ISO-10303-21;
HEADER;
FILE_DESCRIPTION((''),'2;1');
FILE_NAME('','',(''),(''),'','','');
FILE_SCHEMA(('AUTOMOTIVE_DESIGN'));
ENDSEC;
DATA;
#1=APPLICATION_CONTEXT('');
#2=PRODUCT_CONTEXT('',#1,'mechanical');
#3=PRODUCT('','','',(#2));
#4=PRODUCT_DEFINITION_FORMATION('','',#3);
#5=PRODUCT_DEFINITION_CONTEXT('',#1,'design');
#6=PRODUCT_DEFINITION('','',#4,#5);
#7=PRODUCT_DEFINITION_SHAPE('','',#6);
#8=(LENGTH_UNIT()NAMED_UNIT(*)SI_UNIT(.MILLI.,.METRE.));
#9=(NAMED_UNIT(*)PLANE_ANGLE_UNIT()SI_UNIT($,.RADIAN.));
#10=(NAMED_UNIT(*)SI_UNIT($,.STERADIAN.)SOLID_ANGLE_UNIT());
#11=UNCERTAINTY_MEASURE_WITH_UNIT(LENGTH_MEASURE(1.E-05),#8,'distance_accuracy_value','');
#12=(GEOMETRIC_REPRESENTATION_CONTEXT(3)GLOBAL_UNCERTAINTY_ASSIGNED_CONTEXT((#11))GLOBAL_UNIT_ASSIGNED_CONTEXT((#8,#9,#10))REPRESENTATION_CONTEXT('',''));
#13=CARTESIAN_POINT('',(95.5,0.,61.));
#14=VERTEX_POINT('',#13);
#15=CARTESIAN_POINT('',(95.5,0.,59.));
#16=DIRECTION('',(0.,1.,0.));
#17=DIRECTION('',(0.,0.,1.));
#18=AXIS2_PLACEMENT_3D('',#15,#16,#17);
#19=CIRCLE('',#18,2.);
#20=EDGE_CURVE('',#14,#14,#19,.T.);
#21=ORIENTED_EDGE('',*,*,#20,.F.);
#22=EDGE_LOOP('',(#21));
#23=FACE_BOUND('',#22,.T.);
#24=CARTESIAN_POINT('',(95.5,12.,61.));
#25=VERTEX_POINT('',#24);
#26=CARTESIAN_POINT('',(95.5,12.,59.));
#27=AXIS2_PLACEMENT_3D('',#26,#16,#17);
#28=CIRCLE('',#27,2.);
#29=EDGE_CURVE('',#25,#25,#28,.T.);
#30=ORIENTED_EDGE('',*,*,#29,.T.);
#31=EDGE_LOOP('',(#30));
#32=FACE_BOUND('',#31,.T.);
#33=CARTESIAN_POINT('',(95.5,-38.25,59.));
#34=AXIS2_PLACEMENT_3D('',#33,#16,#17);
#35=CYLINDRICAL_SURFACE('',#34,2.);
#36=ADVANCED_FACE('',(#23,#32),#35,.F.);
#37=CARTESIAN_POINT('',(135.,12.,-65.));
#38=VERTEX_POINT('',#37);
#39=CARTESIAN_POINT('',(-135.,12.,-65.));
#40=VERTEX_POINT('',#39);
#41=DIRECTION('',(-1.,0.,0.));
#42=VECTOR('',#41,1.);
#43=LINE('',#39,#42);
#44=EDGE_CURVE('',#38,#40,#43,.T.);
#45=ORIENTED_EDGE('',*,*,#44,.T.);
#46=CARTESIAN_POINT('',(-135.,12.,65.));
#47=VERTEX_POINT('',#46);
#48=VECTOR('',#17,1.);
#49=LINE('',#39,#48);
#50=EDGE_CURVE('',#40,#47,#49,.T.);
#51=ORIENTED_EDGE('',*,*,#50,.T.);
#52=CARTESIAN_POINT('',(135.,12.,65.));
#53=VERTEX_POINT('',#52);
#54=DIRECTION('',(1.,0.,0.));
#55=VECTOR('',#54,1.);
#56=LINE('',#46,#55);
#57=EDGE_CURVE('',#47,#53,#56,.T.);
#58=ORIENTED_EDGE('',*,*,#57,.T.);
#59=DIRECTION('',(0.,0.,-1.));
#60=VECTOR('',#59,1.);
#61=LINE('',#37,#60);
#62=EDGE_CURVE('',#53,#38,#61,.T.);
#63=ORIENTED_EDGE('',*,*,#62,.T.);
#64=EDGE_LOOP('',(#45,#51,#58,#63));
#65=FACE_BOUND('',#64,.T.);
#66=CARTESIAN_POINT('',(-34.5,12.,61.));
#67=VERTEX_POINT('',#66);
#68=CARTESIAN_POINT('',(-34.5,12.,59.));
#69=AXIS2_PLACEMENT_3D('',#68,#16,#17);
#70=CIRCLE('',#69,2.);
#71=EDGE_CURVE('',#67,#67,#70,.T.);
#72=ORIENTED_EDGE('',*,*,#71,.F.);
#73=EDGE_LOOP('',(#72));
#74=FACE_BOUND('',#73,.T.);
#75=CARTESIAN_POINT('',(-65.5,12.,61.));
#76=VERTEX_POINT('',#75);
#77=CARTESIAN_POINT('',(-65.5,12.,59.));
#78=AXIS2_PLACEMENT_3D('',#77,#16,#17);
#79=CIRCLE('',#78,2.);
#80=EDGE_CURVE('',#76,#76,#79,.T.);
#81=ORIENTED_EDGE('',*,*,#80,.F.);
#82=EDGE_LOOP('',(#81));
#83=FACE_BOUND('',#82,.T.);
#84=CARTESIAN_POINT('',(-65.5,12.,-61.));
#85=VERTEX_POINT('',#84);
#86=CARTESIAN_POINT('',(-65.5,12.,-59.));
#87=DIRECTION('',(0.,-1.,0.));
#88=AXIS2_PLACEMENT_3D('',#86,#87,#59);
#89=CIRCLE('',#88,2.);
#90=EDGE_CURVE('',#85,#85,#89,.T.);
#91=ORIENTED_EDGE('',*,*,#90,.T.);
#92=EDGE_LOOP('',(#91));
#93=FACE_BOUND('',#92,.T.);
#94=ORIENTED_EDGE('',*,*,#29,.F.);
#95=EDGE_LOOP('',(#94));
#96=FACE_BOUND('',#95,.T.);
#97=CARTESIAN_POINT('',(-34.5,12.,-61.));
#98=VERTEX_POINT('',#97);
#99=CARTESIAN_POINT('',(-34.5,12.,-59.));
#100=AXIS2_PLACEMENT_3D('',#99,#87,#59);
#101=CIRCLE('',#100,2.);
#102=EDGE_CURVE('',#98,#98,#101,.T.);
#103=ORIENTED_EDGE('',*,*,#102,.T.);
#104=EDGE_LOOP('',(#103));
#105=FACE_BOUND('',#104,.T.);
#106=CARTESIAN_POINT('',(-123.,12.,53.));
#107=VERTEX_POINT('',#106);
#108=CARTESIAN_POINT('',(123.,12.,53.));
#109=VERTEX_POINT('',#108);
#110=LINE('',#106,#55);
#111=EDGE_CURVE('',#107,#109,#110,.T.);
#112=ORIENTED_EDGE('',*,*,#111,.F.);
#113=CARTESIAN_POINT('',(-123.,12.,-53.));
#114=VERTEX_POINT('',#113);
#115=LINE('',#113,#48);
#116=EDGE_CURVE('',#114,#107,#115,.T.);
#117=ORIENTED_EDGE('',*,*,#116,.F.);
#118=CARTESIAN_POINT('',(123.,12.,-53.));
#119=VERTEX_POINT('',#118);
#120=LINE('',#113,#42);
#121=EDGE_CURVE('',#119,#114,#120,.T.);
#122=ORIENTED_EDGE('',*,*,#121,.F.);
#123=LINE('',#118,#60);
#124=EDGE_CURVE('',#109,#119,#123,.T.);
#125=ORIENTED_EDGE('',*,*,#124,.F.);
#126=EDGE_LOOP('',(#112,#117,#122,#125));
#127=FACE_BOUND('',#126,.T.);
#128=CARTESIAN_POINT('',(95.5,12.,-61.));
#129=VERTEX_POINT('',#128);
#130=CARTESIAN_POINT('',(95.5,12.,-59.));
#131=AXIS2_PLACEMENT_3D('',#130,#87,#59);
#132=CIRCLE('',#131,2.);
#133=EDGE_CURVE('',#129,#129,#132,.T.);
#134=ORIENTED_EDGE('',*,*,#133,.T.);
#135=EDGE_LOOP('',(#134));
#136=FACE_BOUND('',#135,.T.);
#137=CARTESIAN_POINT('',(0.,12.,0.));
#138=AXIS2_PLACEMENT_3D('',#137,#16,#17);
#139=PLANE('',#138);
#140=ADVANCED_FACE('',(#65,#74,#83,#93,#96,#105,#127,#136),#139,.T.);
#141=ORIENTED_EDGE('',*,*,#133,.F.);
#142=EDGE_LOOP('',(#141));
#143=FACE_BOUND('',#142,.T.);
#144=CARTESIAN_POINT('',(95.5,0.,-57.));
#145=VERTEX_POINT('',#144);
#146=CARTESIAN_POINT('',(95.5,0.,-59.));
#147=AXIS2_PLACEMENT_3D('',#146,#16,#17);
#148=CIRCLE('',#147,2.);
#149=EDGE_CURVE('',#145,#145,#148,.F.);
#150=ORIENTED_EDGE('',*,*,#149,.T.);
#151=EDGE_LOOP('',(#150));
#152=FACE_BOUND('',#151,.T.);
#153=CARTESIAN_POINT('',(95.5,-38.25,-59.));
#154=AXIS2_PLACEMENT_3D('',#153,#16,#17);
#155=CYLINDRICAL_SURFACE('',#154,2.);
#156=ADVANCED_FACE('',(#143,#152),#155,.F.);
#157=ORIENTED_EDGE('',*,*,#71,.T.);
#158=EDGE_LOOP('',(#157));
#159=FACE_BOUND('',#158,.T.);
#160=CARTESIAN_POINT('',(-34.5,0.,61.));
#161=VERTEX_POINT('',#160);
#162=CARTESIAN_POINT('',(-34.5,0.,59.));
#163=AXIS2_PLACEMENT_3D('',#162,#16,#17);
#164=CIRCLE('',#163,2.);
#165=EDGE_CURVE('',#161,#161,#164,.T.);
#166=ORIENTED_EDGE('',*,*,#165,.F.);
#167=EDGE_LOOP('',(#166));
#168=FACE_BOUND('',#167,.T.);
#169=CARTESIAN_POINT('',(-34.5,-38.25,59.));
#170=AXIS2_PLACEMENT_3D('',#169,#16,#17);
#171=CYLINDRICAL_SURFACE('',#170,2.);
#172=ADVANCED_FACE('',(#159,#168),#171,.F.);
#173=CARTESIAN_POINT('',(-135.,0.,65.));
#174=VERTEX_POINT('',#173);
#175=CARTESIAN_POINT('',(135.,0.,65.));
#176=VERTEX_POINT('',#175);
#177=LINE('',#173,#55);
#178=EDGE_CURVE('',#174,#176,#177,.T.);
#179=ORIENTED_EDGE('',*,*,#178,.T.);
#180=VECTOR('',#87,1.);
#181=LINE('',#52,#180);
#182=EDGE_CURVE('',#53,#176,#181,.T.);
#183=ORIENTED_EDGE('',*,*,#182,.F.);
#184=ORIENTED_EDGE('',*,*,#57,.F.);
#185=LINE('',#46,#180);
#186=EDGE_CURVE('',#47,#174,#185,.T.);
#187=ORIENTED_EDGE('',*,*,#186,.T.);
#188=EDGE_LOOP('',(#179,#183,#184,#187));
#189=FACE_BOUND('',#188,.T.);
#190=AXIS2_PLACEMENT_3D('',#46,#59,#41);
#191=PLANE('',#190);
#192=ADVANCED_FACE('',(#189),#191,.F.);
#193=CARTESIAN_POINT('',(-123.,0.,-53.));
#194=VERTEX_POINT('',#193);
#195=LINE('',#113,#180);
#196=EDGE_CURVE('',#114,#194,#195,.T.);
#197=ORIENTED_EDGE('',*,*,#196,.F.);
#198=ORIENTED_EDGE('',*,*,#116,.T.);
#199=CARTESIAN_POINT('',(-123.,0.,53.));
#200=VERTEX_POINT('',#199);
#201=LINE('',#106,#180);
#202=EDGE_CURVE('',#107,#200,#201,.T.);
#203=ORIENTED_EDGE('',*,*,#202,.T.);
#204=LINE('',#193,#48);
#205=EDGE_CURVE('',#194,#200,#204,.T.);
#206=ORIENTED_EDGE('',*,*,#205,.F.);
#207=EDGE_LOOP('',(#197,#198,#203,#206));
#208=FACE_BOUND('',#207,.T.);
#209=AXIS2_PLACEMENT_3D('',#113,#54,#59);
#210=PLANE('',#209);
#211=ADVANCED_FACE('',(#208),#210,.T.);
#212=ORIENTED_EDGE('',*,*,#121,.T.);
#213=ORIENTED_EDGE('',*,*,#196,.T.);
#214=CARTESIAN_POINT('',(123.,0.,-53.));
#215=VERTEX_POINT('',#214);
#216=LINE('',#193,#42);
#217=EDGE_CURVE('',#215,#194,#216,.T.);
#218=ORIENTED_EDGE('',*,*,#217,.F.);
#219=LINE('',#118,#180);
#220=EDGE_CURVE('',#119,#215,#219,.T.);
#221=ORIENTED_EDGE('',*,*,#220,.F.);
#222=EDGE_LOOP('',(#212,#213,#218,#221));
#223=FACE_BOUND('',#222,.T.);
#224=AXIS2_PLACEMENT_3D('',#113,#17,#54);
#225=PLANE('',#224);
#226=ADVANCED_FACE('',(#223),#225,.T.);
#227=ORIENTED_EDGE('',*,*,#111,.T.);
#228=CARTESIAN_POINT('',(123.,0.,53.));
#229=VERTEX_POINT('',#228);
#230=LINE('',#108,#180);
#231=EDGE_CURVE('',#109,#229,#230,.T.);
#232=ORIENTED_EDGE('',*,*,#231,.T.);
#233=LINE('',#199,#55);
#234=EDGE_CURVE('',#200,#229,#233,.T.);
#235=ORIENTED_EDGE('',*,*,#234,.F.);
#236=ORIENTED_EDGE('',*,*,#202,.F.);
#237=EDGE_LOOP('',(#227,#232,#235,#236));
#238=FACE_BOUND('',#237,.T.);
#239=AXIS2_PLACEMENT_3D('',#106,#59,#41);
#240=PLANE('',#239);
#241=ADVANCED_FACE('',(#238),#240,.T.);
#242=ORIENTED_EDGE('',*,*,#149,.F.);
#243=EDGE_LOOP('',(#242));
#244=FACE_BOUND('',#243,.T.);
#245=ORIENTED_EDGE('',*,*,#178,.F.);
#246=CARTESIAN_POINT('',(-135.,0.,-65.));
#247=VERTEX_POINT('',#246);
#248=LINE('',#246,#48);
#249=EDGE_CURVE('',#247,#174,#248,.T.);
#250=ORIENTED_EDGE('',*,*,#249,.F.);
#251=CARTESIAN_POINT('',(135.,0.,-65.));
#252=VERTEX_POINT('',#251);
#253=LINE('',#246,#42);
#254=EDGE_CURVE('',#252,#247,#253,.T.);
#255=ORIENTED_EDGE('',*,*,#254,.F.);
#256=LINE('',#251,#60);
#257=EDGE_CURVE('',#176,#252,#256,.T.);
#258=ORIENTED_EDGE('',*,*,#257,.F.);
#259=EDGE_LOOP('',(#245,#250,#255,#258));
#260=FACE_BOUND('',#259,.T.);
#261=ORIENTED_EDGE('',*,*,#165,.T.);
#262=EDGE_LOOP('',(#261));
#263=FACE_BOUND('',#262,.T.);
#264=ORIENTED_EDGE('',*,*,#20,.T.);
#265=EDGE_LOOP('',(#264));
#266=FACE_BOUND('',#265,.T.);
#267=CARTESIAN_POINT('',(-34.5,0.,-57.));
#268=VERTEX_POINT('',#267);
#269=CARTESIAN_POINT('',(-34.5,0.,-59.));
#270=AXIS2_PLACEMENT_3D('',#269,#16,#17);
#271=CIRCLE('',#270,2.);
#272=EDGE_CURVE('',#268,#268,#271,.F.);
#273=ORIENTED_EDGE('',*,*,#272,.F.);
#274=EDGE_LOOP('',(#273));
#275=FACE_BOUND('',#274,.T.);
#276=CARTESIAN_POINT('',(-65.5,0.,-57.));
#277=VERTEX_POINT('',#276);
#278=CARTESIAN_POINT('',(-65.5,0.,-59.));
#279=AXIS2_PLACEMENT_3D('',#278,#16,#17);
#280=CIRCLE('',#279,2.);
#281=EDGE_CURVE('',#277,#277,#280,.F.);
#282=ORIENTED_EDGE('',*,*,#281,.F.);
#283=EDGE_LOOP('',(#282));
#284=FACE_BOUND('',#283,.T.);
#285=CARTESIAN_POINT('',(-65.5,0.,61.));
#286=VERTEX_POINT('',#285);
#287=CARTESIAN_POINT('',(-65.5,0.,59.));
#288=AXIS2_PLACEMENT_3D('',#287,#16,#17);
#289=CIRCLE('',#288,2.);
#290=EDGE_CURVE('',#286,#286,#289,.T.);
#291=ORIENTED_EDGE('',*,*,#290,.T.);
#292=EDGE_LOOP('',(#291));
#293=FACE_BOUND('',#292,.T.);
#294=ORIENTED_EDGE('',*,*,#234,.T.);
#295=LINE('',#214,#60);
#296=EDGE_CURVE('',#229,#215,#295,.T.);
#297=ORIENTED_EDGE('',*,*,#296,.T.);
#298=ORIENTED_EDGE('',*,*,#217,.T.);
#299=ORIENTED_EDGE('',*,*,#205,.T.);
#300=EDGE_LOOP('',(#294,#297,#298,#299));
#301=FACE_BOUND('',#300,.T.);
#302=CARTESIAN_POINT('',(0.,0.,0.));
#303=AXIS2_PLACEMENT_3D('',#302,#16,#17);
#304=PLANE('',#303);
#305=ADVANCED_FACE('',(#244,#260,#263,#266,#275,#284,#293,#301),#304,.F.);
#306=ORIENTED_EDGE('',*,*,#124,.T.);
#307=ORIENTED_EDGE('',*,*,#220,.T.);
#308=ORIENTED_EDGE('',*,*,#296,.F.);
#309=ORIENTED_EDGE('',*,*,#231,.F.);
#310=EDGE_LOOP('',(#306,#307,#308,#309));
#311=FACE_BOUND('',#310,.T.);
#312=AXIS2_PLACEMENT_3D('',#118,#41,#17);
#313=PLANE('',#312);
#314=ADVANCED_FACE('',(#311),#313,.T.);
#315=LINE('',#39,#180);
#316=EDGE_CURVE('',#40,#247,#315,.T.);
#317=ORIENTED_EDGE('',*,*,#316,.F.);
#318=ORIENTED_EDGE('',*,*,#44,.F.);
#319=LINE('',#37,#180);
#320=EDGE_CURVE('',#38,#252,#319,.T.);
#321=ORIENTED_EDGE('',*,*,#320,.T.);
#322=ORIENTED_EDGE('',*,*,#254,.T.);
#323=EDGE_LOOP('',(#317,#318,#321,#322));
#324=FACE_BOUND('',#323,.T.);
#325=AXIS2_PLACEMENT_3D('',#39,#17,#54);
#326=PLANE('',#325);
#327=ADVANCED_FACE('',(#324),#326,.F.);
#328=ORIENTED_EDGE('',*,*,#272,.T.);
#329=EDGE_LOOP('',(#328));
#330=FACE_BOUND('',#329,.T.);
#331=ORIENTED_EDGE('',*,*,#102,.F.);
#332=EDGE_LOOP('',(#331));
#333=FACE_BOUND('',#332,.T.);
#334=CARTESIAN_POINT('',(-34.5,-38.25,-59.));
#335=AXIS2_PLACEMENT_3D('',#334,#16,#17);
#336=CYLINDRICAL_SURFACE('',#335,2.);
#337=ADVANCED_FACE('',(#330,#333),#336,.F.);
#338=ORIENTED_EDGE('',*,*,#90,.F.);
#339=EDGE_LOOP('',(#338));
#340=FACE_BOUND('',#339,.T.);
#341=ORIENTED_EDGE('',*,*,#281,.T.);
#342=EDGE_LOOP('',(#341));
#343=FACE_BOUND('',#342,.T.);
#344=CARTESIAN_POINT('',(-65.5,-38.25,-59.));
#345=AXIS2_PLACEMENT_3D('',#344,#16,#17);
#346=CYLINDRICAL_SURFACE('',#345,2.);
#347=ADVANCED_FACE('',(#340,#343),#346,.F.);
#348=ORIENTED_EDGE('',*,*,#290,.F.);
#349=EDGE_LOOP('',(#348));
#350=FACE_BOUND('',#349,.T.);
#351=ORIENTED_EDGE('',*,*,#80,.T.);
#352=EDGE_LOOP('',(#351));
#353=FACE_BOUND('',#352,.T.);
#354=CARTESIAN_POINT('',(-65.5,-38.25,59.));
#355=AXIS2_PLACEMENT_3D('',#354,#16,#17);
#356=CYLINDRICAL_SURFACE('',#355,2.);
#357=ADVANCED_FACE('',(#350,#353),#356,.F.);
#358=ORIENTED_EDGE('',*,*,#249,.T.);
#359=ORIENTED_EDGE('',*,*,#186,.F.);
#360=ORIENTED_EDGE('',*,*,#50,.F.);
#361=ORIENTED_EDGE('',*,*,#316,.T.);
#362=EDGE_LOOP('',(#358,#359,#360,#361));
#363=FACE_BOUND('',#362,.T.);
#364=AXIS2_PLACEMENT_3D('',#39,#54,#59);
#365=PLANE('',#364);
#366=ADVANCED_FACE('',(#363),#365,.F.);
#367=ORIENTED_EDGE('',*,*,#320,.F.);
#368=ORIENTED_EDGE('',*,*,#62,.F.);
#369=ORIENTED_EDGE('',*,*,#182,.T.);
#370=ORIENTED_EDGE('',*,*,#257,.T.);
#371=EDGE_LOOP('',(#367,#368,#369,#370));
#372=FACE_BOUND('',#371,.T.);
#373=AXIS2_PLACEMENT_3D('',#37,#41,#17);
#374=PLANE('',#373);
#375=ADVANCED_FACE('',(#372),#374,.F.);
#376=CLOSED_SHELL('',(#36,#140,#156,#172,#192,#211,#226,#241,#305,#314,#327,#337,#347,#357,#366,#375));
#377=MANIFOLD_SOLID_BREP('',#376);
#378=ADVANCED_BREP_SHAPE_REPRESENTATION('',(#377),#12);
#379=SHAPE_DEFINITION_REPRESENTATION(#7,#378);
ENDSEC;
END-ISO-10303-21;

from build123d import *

# Parameters (mm, degrees)
SKETCH1_W                 = 270
SKETCH1_H                 = 130
SKETCH1_W_2               = 246
SKETCH1_H_2               = 106
BOSS_EXTRUDE1_DEPTH       = 12
SKETCH3_R                 = 2
CUT_EXTRUDE1_DEPTH        = 50.25
LPATTERN1_COUNT           = 2
LPATTERN1_PITCH           = 31
LPATTERN1_COPY_1_SKETCH_R = 2
LPATTERN1_COPY_1_DEPTH    = 50.25
LPATTERN2_COUNT           = 2
LPATTERN2_PITCH           = 161
MIRROR2_COPY_1_SKETCH_R   = 2
MIRROR2_COPY_1_DEPTH      = 50.25
MIRROR2_COPY_2_SKETCH_R   = 2
MIRROR2_COPY_2_DEPTH      = 50.25


with BuildPart() as part:
    # Sketch1 → Boss-Extrude1 (new body)
    with BuildSketch(Plane(origin=(0, 0, 0), x_dir=(1, 0, 0), z_dir=(0, 1, 0))):
        Rectangle(SKETCH1_W, SKETCH1_H)
        Rectangle(SKETCH1_W_2, SKETCH1_H_2, mode=Mode.SUBTRACT)
    extrude(amount=BOSS_EXTRUDE1_DEPTH)

    # Sketch3 → Cut-Extrude1 (cut)
    with BuildSketch(Plane(origin=(0, 12, 0), x_dir=(1, 0, 0), z_dir=(0, 1, 0))):
        with Locations((-65.5, -59)):
            Circle(SKETCH3_R)
    cut_extrude1 = extrude(amount=-CUT_EXTRUDE1_DEPTH, mode=Mode.SUBTRACT)

    # Mirror1: Cut-Extrude1 across plane
    add(cut_extrude1.mirror(Plane.XY), mode=Mode.SUBTRACT)

    # LPattern1: Cut-Extrude1 ×2
    with Locations(*[(i * LPATTERN1_PITCH, 0, 0) for i in range(1, LPATTERN1_COUNT)]):
        add(cut_extrude1, mode=Mode.SUBTRACT)

    # LPattern1 copy 1 sketch → LPattern1 copy 1 (cut)
    with BuildSketch(Plane(origin=(31, 12, 0), x_dir=(1, 0, 0), z_dir=(0, 1, 0))):
        with Locations((-65.5, 59)):
            Circle(LPATTERN1_COPY_1_SKETCH_R)
    extrude(amount=-LPATTERN1_COPY_1_DEPTH, mode=Mode.SUBTRACT)

    # LPattern2: Cut-Extrude1 ×2
    with Locations(*[(i * LPATTERN2_PITCH, 0, 0) for i in range(1, LPATTERN2_COUNT)]):
        add(cut_extrude1, mode=Mode.SUBTRACT)

    # Mirror2 copy 1 sketch → Mirror2 copy 1 (cut)
    with BuildSketch(Plane(origin=(161, 12, 0), x_dir=(1, 0, 0), z_dir=(0, 1, 0))):
        with Locations((-65.5, 59)):
            Circle(MIRROR2_COPY_1_SKETCH_R)
    extrude(amount=-MIRROR2_COPY_1_DEPTH, mode=Mode.SUBTRACT)

    # Mirror2 copy 2 sketch → Mirror2 copy 2 (cut)
    with BuildSketch(Plane(origin=(0, 12, 0), x_dir=(1, 0, 0), z_dir=(0, 1, 0))):
        with Locations((-65.5, 59)):
            Circle(MIRROR2_COPY_2_SKETCH_R)
    extrude(amount=-MIRROR2_COPY_2_DEPTH, mode=Mode.SUBTRACT)


solid = part.part
